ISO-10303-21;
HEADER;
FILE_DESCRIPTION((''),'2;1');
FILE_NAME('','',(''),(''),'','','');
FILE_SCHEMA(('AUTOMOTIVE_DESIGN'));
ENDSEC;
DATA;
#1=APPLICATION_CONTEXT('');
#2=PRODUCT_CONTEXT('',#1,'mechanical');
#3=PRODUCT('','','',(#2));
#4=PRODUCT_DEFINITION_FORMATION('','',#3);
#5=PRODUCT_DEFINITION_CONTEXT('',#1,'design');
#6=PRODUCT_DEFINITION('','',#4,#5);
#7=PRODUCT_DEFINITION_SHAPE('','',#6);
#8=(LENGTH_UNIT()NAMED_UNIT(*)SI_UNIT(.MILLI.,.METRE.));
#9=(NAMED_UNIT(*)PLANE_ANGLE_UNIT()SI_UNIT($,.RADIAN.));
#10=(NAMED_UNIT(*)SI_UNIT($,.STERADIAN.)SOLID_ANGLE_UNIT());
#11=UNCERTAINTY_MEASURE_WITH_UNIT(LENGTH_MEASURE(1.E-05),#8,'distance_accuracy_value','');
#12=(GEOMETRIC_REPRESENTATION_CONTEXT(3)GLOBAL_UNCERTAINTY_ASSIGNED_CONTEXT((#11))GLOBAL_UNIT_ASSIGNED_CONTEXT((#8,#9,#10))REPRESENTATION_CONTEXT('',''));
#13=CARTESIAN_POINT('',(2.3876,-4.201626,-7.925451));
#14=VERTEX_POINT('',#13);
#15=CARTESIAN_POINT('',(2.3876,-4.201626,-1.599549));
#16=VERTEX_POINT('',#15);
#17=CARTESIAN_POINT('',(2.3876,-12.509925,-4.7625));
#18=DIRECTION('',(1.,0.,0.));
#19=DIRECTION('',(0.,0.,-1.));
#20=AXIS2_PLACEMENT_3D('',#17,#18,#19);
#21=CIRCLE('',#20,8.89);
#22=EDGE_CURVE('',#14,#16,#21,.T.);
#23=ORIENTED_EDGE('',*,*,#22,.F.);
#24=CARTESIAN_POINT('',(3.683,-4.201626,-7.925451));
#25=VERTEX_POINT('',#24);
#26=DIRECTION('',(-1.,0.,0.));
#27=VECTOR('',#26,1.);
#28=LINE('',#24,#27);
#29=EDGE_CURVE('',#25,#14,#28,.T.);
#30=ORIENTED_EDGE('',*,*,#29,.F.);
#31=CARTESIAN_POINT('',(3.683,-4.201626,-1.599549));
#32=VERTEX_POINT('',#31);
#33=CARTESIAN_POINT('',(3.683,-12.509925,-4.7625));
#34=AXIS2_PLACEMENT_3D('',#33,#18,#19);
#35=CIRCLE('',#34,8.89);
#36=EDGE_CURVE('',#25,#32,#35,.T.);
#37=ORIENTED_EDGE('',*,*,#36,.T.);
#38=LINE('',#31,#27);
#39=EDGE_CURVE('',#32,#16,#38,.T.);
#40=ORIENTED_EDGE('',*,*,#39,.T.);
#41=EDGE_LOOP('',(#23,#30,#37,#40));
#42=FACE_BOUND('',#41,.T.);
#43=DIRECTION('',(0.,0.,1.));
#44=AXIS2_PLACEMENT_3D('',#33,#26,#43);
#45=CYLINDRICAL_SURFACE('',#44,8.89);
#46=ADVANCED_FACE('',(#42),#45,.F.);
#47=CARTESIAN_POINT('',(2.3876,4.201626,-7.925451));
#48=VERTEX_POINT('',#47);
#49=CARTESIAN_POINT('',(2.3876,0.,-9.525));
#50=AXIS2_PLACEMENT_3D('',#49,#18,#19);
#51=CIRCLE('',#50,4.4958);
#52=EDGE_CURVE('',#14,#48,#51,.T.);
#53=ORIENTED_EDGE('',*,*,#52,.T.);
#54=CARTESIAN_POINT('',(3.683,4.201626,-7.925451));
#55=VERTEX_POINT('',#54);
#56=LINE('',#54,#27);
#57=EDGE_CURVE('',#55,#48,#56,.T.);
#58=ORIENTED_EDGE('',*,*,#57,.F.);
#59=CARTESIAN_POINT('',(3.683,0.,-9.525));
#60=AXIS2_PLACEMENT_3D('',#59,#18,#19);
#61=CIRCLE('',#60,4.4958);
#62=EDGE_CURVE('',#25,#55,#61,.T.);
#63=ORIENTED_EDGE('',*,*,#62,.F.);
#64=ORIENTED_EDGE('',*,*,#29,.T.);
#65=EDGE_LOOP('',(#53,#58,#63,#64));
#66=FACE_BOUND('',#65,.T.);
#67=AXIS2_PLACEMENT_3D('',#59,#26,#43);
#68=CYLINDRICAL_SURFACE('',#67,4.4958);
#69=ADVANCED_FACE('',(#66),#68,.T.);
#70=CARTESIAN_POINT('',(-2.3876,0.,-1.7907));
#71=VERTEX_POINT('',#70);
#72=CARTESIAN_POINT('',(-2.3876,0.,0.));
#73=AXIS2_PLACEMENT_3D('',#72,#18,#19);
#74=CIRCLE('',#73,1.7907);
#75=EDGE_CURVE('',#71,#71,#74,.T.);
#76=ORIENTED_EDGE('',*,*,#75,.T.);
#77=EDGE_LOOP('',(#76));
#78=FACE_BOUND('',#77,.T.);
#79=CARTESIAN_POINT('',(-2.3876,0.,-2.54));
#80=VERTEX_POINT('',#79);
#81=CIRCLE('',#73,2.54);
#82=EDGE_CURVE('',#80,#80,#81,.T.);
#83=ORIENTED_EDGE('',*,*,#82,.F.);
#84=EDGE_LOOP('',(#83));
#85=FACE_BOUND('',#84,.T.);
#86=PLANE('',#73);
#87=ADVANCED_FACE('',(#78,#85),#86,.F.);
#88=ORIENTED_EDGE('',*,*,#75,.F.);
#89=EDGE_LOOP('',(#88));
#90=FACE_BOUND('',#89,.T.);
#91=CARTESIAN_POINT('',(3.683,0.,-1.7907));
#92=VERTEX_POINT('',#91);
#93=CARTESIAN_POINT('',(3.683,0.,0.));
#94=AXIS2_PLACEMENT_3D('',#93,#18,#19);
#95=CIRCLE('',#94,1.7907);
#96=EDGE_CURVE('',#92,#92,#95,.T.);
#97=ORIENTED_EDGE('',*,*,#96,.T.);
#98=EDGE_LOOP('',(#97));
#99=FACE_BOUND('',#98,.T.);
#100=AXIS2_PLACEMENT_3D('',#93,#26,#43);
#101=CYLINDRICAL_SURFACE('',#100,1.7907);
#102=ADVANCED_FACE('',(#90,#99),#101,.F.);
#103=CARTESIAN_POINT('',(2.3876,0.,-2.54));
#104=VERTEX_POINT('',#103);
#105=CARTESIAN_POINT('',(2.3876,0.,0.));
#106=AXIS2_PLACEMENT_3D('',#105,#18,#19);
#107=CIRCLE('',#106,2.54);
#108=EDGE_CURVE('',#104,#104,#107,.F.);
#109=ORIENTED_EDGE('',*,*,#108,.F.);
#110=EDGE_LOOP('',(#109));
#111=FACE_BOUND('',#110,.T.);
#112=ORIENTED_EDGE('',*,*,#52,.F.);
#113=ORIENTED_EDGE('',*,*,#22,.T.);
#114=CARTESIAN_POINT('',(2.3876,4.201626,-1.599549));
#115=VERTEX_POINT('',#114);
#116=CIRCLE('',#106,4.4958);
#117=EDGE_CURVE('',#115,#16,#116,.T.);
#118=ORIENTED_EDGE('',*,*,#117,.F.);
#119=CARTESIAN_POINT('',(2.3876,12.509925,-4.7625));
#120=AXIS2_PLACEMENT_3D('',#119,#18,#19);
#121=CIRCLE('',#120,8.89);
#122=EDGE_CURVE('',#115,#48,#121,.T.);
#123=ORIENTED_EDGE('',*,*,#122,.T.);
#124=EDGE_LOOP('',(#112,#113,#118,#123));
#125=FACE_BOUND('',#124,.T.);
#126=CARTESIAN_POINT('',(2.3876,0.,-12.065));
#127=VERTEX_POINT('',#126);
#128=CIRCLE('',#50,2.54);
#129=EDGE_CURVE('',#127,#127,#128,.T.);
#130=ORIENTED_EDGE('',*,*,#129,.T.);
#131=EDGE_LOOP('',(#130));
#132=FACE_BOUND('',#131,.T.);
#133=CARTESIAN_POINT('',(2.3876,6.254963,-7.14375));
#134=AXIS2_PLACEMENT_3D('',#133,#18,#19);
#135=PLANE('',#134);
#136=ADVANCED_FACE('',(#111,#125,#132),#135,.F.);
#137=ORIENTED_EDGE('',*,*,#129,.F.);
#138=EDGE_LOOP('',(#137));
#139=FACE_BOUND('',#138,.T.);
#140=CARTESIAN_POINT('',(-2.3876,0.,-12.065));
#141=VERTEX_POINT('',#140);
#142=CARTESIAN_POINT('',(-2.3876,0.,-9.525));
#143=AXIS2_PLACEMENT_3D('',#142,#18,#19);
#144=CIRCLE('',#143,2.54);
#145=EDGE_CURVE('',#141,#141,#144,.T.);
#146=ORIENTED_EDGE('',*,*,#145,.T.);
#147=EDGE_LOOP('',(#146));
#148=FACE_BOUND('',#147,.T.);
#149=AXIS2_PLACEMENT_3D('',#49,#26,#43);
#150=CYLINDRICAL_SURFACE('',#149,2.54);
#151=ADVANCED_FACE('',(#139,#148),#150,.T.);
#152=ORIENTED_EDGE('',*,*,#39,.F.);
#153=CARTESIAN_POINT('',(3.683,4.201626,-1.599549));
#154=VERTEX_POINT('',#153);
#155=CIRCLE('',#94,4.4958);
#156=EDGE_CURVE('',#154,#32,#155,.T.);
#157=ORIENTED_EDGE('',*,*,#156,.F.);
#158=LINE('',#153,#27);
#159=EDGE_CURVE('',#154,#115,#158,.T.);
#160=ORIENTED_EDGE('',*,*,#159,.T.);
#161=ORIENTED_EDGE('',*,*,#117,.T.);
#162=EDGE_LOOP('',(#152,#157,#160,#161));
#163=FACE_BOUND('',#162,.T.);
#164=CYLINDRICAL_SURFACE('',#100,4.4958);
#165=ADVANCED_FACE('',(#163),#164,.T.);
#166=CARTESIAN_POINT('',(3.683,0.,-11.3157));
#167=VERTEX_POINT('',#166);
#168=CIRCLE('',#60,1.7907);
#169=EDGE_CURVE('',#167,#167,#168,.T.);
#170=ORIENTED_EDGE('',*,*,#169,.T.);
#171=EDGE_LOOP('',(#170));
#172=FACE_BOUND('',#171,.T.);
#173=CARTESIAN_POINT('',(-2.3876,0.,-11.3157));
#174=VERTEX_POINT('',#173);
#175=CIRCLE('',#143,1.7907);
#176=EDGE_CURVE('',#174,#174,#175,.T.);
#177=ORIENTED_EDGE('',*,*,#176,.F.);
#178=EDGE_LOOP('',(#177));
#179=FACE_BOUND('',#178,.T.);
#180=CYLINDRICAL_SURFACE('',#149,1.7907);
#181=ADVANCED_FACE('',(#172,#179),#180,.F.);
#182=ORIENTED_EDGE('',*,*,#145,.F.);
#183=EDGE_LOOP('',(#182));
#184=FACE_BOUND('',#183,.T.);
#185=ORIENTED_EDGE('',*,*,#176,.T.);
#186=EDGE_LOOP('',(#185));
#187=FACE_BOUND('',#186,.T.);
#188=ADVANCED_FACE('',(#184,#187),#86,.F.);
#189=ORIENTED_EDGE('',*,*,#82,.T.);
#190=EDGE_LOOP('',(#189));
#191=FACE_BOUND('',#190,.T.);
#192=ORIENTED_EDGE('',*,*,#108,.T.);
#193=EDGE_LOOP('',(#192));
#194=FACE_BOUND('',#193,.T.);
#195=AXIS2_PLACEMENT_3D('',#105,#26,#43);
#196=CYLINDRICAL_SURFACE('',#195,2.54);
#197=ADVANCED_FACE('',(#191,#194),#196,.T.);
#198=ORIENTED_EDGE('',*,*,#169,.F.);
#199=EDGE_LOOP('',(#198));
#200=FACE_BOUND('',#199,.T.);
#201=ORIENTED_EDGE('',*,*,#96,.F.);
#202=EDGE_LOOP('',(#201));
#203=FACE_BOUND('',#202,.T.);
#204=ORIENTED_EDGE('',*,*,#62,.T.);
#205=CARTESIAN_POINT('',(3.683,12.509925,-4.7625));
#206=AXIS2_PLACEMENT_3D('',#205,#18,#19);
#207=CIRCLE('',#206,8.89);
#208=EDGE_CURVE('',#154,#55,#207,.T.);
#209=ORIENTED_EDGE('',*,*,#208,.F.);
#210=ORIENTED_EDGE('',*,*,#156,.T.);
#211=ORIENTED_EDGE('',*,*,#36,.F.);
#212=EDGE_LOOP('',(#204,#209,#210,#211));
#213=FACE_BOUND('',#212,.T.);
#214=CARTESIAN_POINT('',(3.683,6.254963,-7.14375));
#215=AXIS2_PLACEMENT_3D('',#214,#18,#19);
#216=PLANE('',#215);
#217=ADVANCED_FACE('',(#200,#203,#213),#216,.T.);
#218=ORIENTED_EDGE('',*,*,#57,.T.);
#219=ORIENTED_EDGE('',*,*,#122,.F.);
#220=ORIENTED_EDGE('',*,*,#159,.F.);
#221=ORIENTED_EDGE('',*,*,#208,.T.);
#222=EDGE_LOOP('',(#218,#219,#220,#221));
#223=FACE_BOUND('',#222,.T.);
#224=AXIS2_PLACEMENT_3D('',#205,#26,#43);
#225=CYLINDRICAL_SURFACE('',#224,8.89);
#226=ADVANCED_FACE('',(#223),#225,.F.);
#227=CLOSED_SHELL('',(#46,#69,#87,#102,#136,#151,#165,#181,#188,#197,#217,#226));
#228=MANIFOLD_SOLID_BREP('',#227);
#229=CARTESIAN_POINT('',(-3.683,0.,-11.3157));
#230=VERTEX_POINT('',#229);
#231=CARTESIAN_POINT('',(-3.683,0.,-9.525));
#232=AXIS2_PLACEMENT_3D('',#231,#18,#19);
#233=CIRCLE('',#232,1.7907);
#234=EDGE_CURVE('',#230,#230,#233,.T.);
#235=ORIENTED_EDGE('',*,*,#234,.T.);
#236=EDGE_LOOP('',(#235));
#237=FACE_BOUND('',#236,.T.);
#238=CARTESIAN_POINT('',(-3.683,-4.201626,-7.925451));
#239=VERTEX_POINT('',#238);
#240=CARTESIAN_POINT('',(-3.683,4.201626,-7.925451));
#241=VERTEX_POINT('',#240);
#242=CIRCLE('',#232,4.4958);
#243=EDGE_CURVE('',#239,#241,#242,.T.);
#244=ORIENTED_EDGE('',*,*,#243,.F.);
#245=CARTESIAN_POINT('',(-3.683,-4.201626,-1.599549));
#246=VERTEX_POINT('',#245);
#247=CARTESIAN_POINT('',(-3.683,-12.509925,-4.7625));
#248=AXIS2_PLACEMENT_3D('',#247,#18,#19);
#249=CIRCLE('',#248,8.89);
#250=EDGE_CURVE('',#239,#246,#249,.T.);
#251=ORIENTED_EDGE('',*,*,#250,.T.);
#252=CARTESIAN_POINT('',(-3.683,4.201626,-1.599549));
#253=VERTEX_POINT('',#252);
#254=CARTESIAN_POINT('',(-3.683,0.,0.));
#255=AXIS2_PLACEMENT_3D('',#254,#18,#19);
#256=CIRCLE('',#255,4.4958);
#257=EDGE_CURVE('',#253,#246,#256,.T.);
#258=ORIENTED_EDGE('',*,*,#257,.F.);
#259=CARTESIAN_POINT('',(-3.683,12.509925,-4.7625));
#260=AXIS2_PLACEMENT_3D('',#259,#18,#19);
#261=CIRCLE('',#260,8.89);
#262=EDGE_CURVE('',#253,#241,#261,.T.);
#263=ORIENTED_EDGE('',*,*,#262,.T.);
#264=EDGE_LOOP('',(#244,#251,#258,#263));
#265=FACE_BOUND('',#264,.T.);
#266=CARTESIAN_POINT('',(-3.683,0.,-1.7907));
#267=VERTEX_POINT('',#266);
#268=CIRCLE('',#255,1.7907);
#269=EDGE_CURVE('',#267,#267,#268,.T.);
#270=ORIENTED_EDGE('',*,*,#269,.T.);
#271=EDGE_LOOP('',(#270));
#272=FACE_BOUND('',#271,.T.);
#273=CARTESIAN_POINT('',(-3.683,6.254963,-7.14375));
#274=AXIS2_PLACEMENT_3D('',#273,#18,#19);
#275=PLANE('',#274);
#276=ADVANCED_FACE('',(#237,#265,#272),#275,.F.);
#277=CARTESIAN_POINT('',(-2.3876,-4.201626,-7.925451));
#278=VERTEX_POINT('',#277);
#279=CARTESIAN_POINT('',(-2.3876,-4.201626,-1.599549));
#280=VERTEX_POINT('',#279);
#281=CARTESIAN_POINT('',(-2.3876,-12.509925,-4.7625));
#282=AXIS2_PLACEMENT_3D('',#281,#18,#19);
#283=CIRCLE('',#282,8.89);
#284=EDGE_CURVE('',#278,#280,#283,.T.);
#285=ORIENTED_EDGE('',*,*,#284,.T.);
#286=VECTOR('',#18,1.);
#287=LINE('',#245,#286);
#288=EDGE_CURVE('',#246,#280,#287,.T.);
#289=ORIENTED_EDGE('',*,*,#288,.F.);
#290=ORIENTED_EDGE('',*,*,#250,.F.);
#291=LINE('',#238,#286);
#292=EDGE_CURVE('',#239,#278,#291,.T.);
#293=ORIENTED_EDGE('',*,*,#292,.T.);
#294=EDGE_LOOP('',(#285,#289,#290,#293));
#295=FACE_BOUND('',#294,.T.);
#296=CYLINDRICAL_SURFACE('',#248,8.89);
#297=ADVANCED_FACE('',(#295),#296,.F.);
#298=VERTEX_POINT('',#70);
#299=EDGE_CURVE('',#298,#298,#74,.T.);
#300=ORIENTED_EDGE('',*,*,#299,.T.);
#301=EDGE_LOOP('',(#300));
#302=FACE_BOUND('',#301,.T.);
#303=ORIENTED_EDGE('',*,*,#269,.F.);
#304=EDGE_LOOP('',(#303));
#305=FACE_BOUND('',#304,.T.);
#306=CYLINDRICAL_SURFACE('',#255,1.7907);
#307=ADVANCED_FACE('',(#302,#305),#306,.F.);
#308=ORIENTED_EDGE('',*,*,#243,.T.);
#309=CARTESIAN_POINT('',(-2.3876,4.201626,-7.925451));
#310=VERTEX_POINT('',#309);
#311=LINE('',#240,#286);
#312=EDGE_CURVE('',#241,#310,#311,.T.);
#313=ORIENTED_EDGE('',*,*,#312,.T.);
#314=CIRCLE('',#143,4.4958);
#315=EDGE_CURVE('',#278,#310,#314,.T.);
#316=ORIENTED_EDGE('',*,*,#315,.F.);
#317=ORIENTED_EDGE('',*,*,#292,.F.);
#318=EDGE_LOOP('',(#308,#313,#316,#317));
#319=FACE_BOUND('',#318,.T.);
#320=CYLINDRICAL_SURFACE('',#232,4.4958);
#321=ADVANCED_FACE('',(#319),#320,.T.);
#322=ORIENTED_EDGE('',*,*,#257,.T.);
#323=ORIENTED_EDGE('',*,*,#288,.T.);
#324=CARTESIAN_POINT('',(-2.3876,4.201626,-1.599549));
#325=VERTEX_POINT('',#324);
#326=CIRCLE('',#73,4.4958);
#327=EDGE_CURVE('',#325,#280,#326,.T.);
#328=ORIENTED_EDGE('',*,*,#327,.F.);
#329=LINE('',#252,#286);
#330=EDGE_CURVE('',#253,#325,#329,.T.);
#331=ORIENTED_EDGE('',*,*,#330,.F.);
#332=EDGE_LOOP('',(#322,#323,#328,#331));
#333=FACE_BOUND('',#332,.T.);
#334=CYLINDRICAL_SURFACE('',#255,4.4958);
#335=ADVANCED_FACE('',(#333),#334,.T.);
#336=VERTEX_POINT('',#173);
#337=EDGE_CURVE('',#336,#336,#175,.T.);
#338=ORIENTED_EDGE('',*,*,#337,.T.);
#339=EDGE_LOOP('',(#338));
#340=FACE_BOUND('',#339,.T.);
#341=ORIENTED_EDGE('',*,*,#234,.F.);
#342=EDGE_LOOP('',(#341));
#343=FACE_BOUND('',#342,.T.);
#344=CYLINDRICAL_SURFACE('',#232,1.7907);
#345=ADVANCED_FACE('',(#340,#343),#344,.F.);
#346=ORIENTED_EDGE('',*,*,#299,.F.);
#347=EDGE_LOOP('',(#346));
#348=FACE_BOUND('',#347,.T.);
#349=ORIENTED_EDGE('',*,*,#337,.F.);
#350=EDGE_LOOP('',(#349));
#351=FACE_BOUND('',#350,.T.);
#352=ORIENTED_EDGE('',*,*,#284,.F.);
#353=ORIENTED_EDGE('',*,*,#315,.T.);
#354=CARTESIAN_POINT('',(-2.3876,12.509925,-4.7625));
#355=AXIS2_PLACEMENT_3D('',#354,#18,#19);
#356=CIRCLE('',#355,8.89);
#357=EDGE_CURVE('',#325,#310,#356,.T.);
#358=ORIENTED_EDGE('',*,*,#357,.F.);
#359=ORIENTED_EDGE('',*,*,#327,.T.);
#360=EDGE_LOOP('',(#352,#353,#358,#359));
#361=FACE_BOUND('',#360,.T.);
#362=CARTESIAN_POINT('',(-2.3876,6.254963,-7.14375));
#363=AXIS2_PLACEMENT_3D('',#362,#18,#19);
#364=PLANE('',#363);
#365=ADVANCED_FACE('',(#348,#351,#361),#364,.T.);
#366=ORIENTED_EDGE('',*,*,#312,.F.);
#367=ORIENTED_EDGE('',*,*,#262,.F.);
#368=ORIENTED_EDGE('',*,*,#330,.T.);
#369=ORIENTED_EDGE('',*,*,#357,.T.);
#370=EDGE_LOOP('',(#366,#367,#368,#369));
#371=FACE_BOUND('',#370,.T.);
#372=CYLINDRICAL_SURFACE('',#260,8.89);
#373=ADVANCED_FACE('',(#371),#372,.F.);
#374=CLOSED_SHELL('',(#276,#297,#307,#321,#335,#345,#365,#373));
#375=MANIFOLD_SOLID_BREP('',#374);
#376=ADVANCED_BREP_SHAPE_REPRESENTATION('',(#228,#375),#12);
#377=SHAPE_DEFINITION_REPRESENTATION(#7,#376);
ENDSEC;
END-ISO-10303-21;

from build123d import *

# Parameters (mm, degrees)
SKETCH1_R             = 2.54
SKETCH1_R_2           = 1.7907
BOSS_EXTRUDE1_DEPTH   = 2.3876
BOSS_EXTRUDE1_2_DEPTH = 2.3876
BOSS_EXTRUDE2_START   = 2.3876
SKETCH1_4_R           = 1.7907
BOSS_EXTRUDE2_DEPTH   = 1.2954
BOSS_EXTRUDE3_START   = -2.3876
SKETCH1_5_R           = 1.7907
BOSS_EXTRUDE3_DEPTH   = 1.2954


with BuildPart() as part:
    # Sketch1 → Boss-Extrude1 (new, symmetric)
    with BuildSketch(Plane(origin=(0, 0, 0), x_dir=(0, 0, -1), z_dir=(1, 0, 0))):
        Circle(SKETCH1_R)
        Circle(SKETCH1_R_2, mode=Mode.SUBTRACT)
    extrude(amount=BOSS_EXTRUDE1_DEPTH, both=True)



with BuildPart() as body_2:
    # Sketch1 → Boss-Extrude1 2 (new, symmetric)
    with BuildSketch(Plane(origin=(0, 0, 0), x_dir=(0, 0, -1), z_dir=(1, 0, 0))):
        with Locations((9.525, 0)):
            Circle(SKETCH1_R)
        with Locations((9.525, 0)):
            Circle(SKETCH1_R_2, mode=Mode.SUBTRACT)
    extrude(amount=BOSS_EXTRUDE1_2_DEPTH, both=True)


with BuildPart() as part_1:
    add(part.part)

    add(body_2.part)  # Boss-Extrude2 merges body 2
    # Sketch1<4> → Boss-Extrude2 (add)
    with BuildSketch(Plane(origin=(0, 0, 0), x_dir=(0, 0, -1), z_dir=(1, 0, 0)).offset(BOSS_EXTRUDE2_START)):
        with BuildLine():
            ThreePointArc((7.925450664, 4.201625824), (4.7625, 3.619925475), (1.599549336, 4.201625824))
            ThreePointArc((1.599549336, 4.201625824), (-4.4958, 0), (1.599549336, -4.201625824))
            ThreePointArc((1.599549336, -4.201625824), (4.7625, -3.619925475), (7.925450664, -4.201625824))
            ThreePointArc((7.925450664, -4.201625824), (14.0208, 0), (7.925450664, 4.201625824))
        make_face()
        Circle(SKETCH1_4_R, mode=Mode.SUBTRACT)
        with Locations((9.525, 0)):
            Circle(SKETCH1_4_R, mode=Mode.SUBTRACT)
    extrude(amount=BOSS_EXTRUDE2_DEPTH)


with BuildPart() as body_2_2:
    # Sketch1<5> → Boss-Extrude3 (new body)
    with BuildSketch(Plane(origin=(0, 0, 0), x_dir=(0, 0, -1), z_dir=(1, 0, 0)).offset(BOSS_EXTRUDE3_START)):
        with BuildLine():
            ThreePointArc((1.599549336, 4.201625824), (-4.4958, 0), (1.599549336, -4.201625824))
            ThreePointArc((1.599549336, -4.201625824), (4.7625, -3.619925475), (7.925450664, -4.201625824))
            ThreePointArc((7.925450664, -4.201625824), (14.0208, 0), (7.925450664, 4.201625824))
            ThreePointArc((7.925450664, 4.201625824), (4.7625, 3.619925475), (1.599549336, 4.201625824))
        make_face()
        with Locations((9.525, 0)):
            Circle(SKETCH1_5_R, mode=Mode.SUBTRACT)
        Circle(SKETCH1_5_R, mode=Mode.SUBTRACT)
    extrude(amount=-BOSS_EXTRUDE3_DEPTH)


solid = Compound([part_1.part, body_2_2.part])
